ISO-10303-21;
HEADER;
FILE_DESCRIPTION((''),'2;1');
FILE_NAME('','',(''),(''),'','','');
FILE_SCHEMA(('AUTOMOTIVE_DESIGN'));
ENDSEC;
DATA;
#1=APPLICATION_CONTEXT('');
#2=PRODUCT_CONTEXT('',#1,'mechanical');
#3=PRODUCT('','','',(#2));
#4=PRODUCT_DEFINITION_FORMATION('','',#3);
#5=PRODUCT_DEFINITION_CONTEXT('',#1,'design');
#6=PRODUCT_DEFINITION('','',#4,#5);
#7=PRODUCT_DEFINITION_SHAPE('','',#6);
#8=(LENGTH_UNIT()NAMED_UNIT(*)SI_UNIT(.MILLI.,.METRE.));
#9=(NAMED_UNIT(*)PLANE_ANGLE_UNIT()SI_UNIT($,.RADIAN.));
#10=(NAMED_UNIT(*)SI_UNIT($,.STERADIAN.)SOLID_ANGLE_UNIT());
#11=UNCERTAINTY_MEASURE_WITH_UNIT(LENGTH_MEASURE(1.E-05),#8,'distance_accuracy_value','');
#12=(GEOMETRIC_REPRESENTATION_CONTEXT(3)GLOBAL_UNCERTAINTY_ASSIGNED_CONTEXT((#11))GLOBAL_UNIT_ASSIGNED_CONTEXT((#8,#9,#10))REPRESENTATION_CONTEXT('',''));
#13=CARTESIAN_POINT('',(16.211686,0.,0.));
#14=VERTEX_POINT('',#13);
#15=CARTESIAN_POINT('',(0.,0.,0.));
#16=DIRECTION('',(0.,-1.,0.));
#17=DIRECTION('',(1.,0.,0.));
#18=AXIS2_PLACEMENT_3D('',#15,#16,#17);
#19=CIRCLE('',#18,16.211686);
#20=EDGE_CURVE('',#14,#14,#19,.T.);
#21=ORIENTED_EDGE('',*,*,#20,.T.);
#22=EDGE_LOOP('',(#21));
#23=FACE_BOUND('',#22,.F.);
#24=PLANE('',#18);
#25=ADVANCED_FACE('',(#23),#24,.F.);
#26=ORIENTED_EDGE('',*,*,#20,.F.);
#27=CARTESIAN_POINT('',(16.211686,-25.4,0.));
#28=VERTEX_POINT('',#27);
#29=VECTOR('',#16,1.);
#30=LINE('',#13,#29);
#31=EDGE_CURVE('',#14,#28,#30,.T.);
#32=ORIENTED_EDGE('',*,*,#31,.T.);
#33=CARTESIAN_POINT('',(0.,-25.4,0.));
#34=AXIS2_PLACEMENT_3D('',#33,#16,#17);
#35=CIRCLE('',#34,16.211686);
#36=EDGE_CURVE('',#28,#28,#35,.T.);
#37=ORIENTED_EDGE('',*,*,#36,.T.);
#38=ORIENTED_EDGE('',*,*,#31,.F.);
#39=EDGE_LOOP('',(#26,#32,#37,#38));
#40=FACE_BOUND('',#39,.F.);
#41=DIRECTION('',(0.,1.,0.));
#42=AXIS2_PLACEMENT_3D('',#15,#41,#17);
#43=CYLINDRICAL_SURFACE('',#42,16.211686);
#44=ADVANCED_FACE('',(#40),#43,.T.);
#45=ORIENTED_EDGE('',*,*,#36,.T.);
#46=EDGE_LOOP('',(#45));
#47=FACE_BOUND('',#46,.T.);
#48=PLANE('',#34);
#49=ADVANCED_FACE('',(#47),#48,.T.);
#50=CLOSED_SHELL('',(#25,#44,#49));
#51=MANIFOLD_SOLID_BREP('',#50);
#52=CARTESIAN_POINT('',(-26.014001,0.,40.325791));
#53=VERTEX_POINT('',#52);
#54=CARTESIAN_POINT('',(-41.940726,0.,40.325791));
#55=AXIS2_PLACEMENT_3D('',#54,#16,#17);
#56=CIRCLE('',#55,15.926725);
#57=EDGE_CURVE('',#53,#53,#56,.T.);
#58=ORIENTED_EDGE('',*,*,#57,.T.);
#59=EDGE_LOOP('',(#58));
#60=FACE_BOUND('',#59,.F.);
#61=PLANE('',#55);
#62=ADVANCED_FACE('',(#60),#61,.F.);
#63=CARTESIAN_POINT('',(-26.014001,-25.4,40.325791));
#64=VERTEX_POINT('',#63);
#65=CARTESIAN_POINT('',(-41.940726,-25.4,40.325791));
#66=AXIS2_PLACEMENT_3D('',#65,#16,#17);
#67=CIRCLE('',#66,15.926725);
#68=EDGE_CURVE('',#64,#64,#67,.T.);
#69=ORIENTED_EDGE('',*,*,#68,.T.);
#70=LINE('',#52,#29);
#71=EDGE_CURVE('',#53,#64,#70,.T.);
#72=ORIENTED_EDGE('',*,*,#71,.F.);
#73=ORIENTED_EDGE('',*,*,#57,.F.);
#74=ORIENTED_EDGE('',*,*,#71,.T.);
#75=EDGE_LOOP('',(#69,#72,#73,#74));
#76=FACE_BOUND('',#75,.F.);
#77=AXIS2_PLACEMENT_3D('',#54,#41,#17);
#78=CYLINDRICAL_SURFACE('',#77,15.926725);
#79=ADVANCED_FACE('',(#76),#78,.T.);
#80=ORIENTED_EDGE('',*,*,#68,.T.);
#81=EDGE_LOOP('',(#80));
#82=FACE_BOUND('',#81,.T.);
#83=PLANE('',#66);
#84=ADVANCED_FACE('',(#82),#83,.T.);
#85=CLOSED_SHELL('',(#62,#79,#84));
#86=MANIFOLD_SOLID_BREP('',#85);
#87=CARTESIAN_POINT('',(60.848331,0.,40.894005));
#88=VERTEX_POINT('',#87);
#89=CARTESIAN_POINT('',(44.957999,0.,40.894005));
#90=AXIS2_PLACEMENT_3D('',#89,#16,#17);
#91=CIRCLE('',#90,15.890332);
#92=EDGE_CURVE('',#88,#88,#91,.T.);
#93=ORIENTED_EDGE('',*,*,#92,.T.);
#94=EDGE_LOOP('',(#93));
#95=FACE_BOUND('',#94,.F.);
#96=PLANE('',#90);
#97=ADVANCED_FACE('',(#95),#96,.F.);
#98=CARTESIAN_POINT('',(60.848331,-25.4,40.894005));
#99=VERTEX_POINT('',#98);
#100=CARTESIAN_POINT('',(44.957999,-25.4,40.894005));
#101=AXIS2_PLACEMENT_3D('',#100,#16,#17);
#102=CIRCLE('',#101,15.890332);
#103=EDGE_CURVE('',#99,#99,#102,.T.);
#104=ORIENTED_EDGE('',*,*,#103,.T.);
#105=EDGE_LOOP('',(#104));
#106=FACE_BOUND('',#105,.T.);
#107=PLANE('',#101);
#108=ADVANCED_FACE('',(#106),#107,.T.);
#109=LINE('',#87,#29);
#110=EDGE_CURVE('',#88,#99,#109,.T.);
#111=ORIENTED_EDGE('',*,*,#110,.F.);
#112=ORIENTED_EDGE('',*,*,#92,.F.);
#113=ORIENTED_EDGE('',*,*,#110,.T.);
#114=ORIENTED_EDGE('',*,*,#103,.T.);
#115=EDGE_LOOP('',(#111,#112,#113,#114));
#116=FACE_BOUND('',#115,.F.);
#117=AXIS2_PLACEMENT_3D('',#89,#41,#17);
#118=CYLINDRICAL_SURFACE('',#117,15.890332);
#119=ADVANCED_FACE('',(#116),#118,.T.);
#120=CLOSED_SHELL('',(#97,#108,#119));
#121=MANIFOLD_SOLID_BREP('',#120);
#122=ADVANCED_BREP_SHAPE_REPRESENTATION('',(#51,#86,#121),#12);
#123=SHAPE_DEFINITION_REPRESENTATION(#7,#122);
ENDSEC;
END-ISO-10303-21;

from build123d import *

# Parameters (mm, degrees)
F0_R     = 16.211686
F1_DEPTH = 25.4
F2_R     = 15.926725
F2_R_2   = 16.123972
F3_DEPTH = 25.4
F4_R     = 15.890332
F5_DEPTH = 25.4


with BuildPart() as f1:
    # F0 (on Front) → F1 (new body)
    with BuildSketch(Plane.XZ):
        Circle(F0_R)
    extrude(amount=F1_DEPTH)

    # F2 (on Front) → F3 (join)
    with BuildSketch(Plane.XZ):
        with Locations((-41.940726, 40.325791)):
            Circle(F2_R)
        Circle(F2_R_2)
    extrude(amount=F3_DEPTH)


with BuildPart() as f5:
    # F4 (on Front) → F5 (new body)
    with BuildSketch(Plane.XZ):
        with Locations((44.957999, 40.894005)):
            Circle(F4_R)
    extrude(amount=F5_DEPTH)


solid = Compound([f1.part, f5.part])
